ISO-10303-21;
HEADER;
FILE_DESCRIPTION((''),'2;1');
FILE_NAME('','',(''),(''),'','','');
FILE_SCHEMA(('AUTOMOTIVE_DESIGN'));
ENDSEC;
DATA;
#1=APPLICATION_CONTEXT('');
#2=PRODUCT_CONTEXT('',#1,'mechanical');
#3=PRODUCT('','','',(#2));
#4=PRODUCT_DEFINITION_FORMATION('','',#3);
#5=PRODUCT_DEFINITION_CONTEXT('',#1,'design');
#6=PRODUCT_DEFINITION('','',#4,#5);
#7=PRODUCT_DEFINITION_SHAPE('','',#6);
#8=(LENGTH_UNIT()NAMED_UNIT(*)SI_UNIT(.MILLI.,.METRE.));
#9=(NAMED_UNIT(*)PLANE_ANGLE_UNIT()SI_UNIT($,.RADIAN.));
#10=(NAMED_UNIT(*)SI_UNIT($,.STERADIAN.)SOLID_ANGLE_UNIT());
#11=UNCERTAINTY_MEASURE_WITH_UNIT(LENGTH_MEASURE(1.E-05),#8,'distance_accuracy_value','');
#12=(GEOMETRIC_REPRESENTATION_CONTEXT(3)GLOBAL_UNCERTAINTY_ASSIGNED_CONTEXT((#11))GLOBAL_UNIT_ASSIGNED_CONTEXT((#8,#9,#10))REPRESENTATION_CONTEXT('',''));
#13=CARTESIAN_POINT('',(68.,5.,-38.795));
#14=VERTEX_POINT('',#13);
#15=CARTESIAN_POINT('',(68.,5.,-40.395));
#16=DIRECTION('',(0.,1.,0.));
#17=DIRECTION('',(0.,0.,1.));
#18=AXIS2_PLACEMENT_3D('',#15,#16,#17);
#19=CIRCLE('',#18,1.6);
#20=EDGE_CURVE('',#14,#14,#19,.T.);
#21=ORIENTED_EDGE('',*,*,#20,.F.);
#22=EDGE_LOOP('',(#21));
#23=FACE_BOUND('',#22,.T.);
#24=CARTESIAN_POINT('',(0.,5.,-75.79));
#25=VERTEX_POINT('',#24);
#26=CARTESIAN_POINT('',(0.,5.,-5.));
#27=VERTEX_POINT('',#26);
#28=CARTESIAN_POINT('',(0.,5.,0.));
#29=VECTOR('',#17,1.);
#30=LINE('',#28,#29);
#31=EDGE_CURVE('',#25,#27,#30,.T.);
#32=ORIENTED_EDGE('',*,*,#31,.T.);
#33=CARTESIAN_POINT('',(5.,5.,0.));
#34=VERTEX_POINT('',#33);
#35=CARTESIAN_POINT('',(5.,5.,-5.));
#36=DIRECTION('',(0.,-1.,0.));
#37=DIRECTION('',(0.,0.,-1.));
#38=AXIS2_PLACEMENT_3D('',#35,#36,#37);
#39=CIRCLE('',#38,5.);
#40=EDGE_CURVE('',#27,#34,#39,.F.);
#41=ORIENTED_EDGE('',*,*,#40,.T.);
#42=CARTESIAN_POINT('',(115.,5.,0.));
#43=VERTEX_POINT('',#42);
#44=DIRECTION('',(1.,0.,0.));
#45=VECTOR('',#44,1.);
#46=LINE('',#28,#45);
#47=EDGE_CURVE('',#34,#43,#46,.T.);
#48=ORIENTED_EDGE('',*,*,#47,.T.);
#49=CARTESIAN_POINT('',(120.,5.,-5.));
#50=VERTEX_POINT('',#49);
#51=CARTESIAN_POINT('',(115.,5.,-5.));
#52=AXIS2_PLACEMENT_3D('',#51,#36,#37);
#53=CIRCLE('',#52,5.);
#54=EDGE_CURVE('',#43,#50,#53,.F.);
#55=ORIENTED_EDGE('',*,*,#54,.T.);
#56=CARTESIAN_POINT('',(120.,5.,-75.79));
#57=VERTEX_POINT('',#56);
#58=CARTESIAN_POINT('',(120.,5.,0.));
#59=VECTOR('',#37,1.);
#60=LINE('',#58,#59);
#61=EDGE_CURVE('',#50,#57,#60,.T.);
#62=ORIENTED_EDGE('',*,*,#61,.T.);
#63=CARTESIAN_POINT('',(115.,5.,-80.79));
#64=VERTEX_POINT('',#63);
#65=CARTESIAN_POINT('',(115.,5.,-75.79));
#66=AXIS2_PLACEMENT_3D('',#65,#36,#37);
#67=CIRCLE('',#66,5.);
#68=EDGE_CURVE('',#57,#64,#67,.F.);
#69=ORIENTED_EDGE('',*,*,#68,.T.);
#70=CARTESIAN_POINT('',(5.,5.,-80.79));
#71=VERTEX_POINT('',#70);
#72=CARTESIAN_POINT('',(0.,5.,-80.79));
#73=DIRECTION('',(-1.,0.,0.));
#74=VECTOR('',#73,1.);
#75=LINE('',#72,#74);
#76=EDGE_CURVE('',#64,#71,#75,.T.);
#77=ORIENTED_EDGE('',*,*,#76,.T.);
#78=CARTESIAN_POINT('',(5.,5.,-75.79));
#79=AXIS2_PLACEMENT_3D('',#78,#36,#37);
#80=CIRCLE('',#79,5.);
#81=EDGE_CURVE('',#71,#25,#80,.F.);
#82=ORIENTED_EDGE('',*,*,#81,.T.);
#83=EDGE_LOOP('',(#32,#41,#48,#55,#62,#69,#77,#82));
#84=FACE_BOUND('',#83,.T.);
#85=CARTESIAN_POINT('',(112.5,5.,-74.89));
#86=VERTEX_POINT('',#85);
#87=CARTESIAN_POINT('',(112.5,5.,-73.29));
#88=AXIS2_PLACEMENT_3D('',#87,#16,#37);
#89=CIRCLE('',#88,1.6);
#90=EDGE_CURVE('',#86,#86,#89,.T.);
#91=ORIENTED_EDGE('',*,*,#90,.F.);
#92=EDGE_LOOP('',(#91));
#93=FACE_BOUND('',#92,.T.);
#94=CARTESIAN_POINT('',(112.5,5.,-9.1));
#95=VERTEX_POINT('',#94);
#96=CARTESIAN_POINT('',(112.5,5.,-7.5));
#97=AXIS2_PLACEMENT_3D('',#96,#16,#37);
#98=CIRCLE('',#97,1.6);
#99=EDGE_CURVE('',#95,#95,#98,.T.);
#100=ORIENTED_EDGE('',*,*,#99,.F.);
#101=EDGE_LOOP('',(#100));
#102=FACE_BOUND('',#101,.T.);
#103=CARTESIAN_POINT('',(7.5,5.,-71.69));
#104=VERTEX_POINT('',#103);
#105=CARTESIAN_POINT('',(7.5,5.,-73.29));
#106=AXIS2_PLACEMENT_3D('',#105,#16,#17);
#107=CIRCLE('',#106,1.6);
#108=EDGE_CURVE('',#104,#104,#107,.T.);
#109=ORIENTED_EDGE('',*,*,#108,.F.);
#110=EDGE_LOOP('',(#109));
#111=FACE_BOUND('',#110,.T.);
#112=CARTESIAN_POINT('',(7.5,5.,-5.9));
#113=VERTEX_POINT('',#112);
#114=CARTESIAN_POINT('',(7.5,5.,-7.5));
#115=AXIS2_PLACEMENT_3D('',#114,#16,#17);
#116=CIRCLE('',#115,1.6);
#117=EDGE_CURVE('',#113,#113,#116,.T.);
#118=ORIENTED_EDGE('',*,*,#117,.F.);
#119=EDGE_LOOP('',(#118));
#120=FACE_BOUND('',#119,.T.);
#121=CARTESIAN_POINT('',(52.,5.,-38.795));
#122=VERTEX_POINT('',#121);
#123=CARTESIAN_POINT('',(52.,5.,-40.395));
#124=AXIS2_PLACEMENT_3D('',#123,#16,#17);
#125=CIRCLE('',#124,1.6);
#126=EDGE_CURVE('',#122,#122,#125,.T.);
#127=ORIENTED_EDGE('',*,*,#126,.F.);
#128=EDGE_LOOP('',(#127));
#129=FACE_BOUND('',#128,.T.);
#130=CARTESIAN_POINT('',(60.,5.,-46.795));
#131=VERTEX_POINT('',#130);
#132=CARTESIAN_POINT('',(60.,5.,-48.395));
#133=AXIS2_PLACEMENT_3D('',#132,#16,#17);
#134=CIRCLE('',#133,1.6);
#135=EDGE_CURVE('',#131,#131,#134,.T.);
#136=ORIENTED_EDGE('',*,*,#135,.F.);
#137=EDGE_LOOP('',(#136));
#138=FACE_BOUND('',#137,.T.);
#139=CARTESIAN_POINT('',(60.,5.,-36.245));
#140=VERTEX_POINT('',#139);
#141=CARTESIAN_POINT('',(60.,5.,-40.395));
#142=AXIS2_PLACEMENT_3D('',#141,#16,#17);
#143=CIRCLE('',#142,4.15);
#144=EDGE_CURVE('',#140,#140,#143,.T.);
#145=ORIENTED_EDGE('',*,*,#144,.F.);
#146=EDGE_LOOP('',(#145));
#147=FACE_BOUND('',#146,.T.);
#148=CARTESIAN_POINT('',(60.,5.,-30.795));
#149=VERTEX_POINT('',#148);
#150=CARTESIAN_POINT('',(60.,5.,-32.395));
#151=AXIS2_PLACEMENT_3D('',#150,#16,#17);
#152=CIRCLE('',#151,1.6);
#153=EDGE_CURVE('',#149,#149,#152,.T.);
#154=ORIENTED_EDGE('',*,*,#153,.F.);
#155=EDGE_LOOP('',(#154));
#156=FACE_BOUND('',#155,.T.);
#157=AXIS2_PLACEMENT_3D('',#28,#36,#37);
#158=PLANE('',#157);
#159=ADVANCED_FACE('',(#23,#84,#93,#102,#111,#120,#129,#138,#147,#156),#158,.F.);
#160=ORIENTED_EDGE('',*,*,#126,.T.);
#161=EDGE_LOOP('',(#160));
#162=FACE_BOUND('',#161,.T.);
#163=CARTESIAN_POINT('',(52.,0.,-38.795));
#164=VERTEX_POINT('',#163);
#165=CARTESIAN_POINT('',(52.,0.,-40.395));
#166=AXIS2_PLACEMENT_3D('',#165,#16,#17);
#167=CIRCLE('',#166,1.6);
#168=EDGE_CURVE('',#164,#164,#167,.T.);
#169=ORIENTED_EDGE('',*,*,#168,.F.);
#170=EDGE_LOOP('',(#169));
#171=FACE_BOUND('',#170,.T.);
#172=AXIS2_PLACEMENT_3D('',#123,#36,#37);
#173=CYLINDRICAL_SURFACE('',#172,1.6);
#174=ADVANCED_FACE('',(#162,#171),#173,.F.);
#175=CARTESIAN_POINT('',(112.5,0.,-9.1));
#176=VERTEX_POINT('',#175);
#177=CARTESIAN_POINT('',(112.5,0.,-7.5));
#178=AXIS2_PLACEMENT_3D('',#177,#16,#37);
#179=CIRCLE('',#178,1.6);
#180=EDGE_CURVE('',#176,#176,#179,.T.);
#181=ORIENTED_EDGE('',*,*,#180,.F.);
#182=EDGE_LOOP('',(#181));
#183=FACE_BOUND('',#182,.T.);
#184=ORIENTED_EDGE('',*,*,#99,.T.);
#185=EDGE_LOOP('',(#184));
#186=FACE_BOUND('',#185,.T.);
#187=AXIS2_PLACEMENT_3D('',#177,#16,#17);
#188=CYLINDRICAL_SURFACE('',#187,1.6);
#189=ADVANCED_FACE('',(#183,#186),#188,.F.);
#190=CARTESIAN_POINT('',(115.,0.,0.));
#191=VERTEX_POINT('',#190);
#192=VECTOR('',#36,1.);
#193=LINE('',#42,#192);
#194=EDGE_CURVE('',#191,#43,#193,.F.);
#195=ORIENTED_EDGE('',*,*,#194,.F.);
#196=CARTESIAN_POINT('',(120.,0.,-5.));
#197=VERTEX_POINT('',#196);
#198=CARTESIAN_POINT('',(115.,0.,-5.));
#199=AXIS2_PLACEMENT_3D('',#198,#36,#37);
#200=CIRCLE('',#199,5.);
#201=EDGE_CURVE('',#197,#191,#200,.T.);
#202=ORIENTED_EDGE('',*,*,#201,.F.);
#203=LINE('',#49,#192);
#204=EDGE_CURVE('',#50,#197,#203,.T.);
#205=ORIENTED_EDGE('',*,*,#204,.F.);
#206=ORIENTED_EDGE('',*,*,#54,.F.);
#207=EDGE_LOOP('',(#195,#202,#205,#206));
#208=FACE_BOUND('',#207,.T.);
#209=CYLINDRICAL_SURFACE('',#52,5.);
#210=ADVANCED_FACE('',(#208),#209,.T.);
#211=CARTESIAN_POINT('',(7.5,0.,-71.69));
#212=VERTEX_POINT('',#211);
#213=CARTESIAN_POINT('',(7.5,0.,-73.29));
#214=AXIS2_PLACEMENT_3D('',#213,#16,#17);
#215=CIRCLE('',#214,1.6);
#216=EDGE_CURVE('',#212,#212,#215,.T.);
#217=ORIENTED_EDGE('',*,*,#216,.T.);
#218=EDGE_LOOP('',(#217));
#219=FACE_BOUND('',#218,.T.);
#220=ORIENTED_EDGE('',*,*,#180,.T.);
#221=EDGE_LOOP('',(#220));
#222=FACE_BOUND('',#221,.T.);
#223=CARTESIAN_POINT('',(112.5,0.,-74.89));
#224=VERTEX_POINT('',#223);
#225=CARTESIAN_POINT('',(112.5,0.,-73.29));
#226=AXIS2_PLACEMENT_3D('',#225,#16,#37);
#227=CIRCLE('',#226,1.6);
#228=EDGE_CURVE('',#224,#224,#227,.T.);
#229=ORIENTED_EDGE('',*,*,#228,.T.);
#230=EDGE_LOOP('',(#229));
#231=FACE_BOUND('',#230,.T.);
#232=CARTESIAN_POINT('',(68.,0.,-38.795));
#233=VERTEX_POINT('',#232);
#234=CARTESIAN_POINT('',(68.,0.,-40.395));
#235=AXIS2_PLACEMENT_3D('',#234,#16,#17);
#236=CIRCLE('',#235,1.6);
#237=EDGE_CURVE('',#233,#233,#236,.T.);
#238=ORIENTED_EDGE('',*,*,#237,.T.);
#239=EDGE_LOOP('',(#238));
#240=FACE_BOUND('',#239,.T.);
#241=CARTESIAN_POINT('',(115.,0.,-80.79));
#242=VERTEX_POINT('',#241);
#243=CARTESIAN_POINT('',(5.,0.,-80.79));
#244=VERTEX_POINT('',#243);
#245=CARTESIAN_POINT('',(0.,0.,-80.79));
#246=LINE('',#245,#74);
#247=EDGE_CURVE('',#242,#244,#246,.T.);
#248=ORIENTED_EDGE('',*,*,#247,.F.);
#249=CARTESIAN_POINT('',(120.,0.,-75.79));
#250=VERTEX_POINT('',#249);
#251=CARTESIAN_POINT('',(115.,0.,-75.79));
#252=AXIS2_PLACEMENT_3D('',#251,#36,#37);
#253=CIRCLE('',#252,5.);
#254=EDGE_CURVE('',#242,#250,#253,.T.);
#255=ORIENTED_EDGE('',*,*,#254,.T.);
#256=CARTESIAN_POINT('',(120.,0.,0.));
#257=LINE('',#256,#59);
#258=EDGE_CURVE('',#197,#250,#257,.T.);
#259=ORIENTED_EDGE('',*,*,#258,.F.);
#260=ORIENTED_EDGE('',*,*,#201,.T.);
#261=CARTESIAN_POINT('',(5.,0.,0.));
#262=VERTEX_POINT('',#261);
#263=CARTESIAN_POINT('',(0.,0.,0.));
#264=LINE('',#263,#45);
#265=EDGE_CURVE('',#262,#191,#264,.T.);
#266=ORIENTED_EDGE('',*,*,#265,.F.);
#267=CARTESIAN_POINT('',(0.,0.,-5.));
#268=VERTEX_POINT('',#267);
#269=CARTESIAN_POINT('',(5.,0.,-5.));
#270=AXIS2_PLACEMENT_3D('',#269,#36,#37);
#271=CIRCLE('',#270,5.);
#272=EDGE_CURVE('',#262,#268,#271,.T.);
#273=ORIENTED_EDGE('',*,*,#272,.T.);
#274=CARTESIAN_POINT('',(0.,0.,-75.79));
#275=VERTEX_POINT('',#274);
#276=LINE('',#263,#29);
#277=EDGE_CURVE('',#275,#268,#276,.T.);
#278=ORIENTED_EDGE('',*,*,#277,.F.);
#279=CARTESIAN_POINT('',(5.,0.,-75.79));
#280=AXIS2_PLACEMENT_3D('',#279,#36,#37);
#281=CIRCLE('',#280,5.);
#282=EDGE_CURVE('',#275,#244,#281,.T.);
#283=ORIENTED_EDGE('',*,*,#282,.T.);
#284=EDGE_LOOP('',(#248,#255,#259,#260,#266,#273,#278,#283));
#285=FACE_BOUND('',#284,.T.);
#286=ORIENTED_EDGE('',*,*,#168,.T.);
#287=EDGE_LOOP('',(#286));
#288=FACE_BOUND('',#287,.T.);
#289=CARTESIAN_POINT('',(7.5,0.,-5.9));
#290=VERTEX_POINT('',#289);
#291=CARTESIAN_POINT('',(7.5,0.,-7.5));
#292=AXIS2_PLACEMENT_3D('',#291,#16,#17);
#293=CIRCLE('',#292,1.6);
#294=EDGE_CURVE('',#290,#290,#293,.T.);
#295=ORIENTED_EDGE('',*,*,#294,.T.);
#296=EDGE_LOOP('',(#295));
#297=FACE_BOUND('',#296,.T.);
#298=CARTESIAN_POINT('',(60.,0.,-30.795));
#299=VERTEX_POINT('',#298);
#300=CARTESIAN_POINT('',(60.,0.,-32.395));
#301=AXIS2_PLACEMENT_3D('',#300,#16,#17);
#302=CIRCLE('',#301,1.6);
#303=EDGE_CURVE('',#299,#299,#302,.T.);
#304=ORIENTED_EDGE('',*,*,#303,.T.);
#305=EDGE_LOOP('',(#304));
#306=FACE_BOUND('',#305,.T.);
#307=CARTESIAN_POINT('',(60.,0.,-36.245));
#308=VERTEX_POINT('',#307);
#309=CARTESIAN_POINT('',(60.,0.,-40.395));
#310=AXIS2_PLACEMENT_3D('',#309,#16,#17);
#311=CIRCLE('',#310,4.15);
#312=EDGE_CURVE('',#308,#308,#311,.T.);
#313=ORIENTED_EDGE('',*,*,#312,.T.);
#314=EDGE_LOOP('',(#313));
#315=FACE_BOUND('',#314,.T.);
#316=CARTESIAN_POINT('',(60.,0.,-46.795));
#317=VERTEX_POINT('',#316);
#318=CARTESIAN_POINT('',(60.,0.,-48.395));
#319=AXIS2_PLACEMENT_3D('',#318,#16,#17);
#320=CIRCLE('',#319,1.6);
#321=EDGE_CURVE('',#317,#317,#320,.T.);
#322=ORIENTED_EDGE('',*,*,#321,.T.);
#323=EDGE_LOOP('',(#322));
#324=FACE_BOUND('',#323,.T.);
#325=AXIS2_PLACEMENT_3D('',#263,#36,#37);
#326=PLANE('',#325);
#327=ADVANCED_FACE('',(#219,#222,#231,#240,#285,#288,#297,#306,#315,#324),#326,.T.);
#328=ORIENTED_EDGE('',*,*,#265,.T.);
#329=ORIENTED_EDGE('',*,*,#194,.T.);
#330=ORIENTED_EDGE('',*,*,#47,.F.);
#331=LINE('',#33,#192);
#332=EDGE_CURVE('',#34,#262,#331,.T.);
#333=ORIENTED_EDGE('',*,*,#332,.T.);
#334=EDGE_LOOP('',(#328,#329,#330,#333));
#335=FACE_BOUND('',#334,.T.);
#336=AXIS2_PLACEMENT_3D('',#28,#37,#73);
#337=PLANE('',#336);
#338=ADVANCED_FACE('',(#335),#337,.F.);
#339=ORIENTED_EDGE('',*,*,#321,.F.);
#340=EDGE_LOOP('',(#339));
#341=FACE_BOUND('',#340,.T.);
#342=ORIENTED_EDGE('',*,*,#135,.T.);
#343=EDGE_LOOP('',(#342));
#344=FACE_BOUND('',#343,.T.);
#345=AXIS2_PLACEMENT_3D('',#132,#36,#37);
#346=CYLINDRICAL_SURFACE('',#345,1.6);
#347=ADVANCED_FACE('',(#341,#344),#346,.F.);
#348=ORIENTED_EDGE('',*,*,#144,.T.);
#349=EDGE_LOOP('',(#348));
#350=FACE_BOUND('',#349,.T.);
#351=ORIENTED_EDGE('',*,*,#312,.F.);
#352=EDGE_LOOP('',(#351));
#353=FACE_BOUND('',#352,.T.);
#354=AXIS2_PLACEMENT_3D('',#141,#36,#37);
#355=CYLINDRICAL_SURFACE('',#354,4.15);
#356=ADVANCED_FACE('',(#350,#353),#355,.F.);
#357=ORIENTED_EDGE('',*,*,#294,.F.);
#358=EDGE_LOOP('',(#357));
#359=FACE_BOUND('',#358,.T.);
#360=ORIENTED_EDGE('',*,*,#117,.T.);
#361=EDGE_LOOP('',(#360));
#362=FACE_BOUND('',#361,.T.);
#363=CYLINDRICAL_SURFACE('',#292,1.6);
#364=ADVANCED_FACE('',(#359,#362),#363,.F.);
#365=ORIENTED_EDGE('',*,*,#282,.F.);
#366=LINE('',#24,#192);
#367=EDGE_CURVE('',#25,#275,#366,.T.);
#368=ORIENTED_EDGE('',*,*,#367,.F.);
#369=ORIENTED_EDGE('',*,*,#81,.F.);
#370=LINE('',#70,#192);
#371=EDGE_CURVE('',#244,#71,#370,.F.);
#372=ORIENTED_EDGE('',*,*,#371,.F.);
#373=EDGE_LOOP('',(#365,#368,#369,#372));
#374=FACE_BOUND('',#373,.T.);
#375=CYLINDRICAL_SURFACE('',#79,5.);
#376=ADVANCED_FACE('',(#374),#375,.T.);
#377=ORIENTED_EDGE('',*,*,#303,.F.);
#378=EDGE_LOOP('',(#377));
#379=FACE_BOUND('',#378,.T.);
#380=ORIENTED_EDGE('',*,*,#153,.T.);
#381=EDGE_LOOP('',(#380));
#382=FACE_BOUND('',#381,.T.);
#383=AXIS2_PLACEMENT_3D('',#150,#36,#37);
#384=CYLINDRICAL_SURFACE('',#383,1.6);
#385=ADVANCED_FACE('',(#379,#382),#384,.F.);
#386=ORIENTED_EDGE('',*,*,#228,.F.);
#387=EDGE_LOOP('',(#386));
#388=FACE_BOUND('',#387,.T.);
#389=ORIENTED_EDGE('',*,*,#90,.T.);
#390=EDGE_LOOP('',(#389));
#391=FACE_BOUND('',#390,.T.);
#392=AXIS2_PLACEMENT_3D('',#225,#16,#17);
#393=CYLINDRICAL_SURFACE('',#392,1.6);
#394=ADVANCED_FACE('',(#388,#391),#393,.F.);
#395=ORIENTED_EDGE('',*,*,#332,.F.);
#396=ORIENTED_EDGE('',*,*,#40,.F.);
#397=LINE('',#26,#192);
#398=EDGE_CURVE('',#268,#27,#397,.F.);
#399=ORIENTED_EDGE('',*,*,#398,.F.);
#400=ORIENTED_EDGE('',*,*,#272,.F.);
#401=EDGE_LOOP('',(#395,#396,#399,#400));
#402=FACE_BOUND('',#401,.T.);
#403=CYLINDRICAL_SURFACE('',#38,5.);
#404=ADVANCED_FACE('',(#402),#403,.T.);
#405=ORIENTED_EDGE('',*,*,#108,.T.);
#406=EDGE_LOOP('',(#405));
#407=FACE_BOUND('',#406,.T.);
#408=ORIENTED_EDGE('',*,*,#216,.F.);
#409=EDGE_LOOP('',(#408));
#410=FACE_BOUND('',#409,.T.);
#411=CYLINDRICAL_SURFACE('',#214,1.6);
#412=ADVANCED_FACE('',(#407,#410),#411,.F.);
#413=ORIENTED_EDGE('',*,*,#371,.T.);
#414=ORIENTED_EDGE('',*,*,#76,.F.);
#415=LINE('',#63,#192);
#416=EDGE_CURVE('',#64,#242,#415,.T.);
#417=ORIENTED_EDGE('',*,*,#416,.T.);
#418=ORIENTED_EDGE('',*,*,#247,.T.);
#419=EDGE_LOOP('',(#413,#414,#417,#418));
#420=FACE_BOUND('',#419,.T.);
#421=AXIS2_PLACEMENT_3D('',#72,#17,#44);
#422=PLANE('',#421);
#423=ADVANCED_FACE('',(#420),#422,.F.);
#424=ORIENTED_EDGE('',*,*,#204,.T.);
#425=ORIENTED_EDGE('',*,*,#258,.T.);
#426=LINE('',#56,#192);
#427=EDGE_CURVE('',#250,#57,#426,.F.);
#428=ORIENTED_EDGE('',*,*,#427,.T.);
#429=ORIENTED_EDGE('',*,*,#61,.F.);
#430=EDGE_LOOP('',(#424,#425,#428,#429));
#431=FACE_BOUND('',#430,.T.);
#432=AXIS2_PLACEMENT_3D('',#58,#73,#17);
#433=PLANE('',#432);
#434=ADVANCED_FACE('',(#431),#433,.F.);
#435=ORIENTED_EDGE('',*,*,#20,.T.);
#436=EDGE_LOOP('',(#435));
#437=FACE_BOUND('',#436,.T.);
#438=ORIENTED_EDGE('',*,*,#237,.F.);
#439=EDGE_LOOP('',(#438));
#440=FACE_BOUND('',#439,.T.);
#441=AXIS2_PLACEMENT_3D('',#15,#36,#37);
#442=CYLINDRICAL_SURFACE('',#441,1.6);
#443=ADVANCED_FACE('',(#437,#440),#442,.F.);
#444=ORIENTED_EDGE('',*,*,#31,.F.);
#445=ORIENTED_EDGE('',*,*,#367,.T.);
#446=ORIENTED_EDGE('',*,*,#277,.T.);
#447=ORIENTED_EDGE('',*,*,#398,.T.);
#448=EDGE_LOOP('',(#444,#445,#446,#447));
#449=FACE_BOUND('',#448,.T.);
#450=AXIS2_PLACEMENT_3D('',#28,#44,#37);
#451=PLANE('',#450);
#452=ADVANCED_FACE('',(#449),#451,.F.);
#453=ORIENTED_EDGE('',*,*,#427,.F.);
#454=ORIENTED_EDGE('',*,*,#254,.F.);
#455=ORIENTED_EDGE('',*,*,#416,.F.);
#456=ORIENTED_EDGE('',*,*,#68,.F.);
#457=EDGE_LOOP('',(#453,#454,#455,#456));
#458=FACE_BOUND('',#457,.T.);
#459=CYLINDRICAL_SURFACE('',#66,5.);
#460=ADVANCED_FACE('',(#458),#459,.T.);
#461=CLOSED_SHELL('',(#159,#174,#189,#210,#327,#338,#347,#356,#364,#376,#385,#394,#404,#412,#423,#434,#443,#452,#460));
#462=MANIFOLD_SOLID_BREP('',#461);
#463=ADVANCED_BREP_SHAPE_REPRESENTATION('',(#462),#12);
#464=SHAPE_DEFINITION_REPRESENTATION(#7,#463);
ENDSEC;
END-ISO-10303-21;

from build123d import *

# Parameters (mm, degrees)
SKETCH1_W           = 120
SKETCH1_H           = 80.79
SKETCH1_R           = 1.6
SKETCH1_R_2         = 4.15
BOSS_EXTRUDE1_DEPTH = 5
SKETCH2_R           = 1.6
CUT_EXTRUDE1_DEPTH  = 6
FILLET1_R           = 5


with BuildPart() as part:
    # Sketch1 → Boss-Extrude1 (new body)
    with BuildSketch(Plane(origin=(0, 0, 0), x_dir=(1, 0, 0), z_dir=(0, 1, 0))):
        with Locations((60, 40.395)):
            Rectangle(SKETCH1_W, SKETCH1_H)
        with Locations((52, 40.395)):
            Circle(SKETCH1_R, mode=Mode.SUBTRACT)
        with Locations((60, 48.395)):
            Circle(SKETCH1_R, mode=Mode.SUBTRACT)
        with Locations((68, 40.395)):
            Circle(SKETCH1_R, mode=Mode.SUBTRACT)
        with Locations((60, 32.395)):
            Circle(SKETCH1_R, mode=Mode.SUBTRACT)
        with Locations((60, 40.395)):
            Circle(SKETCH1_R_2, mode=Mode.SUBTRACT)
    extrude(amount=BOSS_EXTRUDE1_DEPTH)

    # Sketch2 → Cut-Extrude1 (cut, through all)
    with BuildSketch(Plane(origin=(0, 5, 0), x_dir=(1, 0, 0), z_dir=(0, 1, 0))):
        with Locations((7.5, 7.5)):
            Circle(SKETCH2_R)
        with Locations((7.5, 73.29)):
            Circle(SKETCH2_R)
        with Locations((112.5, 7.5)):
            Circle(SKETCH2_R)
        with Locations((112.5, 73.29)):
            Circle(SKETCH2_R)
    extrude(amount=-CUT_EXTRUDE1_DEPTH, mode=Mode.SUBTRACT)

    # Fillet1
    fillet1_edges = [part.edges().sort_by_distance(p)[0] for p in [
        (0, 2.5, -80.79),
        (120, 2.5, -80.79),
        (120, 2.5, 0),
        (0, 2.5, 0),
    ]]
    fillet(fillet1_edges, radius=FILLET1_R)


solid = part.part
